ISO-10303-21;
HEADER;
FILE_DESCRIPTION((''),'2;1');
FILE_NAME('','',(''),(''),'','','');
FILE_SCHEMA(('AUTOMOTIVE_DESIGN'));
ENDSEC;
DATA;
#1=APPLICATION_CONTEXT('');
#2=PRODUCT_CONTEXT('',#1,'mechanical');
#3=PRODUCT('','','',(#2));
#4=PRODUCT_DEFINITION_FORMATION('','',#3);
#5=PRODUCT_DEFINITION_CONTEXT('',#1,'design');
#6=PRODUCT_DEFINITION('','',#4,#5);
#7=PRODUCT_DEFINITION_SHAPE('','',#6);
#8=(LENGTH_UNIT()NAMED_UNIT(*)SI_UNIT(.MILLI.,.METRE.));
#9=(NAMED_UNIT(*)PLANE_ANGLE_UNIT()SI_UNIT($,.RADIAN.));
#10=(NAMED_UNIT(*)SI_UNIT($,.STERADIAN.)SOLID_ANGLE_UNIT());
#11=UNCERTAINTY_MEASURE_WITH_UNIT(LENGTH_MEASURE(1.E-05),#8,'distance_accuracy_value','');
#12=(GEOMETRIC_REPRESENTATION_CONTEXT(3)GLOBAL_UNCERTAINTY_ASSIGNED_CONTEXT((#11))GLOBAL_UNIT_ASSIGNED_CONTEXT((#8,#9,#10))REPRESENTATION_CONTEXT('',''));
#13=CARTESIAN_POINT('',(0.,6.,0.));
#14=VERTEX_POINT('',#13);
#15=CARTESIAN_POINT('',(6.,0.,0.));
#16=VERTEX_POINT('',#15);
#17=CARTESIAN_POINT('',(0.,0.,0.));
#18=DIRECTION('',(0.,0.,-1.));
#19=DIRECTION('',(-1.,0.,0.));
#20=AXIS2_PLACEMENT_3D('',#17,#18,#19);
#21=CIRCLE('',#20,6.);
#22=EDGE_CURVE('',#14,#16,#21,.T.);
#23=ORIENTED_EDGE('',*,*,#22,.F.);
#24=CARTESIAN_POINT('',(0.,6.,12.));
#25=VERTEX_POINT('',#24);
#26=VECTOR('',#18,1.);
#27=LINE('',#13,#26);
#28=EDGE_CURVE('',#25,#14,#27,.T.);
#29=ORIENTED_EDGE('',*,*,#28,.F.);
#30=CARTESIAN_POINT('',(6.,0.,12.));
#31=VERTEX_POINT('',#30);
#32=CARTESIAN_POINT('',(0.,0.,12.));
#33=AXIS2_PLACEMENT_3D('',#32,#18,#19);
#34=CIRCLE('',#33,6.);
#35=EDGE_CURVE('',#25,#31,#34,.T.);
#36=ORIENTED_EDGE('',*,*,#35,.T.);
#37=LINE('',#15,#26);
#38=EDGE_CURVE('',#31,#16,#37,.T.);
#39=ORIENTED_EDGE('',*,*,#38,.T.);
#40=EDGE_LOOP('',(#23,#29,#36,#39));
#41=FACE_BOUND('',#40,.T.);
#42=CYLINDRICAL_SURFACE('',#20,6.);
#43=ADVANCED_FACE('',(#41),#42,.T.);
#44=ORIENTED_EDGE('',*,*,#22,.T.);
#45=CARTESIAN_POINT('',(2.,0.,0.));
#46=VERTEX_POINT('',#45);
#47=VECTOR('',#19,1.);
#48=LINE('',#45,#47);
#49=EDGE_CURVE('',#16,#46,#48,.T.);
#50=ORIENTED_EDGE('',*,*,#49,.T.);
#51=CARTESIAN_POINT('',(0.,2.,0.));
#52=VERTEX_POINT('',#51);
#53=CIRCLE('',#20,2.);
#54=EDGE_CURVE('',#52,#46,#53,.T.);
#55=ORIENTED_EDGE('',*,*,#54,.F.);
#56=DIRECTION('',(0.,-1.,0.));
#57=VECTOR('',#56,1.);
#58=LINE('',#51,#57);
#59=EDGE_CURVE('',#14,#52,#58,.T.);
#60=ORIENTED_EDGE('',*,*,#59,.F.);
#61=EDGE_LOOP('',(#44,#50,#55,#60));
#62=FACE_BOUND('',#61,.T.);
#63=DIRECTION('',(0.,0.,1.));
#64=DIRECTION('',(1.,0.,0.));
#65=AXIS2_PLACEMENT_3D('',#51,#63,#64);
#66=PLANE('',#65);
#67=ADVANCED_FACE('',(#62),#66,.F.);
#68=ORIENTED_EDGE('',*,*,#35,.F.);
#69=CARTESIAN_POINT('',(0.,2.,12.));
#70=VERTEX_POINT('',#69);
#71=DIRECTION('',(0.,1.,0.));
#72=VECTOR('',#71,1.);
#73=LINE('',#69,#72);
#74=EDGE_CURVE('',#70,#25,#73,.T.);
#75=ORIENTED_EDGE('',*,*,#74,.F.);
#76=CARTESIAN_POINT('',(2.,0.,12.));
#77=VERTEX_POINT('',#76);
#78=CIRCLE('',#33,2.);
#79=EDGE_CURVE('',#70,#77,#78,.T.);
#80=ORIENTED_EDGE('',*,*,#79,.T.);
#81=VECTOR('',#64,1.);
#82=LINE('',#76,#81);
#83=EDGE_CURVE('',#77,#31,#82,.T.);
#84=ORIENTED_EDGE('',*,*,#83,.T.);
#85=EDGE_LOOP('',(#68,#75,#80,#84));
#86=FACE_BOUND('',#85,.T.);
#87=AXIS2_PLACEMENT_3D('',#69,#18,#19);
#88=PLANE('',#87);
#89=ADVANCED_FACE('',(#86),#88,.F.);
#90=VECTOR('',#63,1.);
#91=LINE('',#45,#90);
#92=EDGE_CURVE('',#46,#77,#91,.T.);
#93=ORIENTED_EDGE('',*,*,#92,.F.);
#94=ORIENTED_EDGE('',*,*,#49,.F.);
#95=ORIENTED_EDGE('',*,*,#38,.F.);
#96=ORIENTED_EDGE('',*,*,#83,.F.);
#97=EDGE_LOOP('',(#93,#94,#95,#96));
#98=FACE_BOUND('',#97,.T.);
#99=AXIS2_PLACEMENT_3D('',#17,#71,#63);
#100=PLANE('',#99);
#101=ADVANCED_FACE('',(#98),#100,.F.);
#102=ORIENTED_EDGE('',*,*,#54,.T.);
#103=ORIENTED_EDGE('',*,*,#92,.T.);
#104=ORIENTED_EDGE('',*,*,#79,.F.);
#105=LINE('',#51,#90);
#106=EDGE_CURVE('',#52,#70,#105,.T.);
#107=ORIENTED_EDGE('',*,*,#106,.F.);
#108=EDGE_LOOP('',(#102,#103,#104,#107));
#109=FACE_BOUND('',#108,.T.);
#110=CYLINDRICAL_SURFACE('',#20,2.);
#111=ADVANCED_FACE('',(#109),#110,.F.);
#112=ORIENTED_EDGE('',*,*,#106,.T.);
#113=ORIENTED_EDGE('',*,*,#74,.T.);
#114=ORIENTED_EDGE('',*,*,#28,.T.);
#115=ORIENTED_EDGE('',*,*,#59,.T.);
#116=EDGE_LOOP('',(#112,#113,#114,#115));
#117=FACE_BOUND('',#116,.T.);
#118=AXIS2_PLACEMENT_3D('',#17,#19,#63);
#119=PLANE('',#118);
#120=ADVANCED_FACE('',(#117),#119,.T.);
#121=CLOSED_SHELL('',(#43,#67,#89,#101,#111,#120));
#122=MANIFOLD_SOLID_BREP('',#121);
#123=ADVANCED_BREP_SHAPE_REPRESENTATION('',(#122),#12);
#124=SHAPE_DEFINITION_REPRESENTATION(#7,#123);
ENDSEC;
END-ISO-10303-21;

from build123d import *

# Parameters (mm, degrees)
ANNULUSPROFILE_W = 4
ANNULUSPROFILE_H = 12
REVOLUTION_ANGLE = 90


with BuildPart() as part:
    # AnnulusProfile → Revolution (revolve)
    with BuildSketch(Plane(origin=(0, 0, 0), x_dir=(1, 0, 0), z_dir=(0, 1, 0))):
        with Locations((4, -6)):
            Rectangle(ANNULUSPROFILE_W, ANNULUSPROFILE_H)
    revolve(axis=Axis((0, 0, 0), (0, 0, 1)), revolution_arc=REVOLUTION_ANGLE)


solid = part.part
